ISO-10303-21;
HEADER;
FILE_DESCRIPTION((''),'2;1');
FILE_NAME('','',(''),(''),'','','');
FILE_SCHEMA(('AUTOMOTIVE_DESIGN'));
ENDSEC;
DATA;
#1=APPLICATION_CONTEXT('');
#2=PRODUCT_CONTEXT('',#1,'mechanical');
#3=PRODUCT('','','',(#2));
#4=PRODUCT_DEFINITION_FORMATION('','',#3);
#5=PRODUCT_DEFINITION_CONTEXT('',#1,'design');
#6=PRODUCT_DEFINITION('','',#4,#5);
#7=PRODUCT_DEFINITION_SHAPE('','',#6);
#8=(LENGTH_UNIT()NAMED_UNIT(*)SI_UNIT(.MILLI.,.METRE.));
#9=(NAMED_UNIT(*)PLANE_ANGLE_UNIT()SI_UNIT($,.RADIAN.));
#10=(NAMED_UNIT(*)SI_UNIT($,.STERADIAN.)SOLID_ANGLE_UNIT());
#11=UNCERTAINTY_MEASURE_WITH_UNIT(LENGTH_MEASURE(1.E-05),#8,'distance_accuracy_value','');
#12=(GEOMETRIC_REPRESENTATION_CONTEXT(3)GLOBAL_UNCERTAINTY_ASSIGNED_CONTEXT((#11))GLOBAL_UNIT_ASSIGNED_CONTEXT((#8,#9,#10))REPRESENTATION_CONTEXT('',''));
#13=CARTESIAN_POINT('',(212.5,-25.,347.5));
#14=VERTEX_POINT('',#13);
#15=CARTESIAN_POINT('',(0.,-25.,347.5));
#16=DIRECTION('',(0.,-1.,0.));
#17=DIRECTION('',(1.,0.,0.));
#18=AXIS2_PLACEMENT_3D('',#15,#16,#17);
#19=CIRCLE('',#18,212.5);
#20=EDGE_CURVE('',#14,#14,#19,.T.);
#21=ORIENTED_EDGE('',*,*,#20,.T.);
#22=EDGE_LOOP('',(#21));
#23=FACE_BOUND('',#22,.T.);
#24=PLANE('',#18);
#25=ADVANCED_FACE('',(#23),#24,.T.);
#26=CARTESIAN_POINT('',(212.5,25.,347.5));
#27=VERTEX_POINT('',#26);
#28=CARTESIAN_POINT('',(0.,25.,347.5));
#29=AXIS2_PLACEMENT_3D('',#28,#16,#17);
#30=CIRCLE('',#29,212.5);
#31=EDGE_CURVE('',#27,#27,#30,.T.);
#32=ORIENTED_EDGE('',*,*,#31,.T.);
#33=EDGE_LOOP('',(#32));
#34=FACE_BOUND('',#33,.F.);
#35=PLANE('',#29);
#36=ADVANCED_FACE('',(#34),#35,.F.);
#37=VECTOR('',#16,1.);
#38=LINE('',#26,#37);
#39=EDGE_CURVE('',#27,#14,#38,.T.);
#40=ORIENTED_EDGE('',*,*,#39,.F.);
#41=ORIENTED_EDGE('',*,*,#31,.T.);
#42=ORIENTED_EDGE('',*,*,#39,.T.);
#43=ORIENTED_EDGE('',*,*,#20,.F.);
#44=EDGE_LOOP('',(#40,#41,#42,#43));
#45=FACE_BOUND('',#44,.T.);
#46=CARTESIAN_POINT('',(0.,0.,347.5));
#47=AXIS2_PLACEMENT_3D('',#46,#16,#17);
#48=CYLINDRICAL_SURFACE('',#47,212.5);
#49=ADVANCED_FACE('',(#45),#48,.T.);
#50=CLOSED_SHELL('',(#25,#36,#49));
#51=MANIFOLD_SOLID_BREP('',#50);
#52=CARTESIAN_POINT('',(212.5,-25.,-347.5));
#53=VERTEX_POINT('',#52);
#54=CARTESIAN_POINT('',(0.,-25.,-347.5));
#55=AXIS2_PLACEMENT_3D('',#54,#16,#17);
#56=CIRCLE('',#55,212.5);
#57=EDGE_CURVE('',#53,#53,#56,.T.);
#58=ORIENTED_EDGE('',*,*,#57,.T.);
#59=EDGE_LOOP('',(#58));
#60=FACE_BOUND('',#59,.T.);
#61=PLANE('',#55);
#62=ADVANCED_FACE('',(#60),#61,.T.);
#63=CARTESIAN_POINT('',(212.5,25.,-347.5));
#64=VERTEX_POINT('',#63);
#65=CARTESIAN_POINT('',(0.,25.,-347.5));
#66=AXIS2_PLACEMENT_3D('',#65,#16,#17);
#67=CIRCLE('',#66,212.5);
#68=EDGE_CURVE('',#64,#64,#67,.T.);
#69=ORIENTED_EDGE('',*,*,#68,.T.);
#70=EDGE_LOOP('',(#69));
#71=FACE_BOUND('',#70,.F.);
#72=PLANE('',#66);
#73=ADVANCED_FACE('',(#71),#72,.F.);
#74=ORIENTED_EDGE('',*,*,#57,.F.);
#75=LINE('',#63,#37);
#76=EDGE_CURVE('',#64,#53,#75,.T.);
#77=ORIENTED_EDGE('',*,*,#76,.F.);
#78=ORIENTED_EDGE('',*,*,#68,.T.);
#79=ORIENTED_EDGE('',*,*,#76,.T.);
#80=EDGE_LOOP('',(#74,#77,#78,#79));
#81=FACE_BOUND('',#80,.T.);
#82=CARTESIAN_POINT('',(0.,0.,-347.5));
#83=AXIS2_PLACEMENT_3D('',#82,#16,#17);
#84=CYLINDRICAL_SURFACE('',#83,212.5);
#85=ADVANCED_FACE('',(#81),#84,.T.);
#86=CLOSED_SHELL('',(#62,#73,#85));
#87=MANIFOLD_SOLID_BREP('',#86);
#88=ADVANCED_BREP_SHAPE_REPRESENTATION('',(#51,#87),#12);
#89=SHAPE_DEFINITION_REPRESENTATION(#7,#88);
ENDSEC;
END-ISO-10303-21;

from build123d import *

# Parameters (mm, degrees)
F0_R     = 212.5
F1_DEPTH = 25


with BuildPart() as f1:
    # F0 (on Front) → F1 (new body, symmetric)
    with BuildSketch(Plane.XZ):
        with Locations((0, 347.5)):
            Circle(F0_R)
    extrude(amount=F1_DEPTH, both=True)


with BuildPart() as f1b:
    # F0 (on Front) → F1, piece 2 (new body, symmetric)
    with BuildSketch(Plane.XZ):
        with Locations((0, -347.5)):
            Circle(F0_R)
    extrude(amount=F1_DEPTH, both=True)


solid = Compound([f1.part, f1b.part])
